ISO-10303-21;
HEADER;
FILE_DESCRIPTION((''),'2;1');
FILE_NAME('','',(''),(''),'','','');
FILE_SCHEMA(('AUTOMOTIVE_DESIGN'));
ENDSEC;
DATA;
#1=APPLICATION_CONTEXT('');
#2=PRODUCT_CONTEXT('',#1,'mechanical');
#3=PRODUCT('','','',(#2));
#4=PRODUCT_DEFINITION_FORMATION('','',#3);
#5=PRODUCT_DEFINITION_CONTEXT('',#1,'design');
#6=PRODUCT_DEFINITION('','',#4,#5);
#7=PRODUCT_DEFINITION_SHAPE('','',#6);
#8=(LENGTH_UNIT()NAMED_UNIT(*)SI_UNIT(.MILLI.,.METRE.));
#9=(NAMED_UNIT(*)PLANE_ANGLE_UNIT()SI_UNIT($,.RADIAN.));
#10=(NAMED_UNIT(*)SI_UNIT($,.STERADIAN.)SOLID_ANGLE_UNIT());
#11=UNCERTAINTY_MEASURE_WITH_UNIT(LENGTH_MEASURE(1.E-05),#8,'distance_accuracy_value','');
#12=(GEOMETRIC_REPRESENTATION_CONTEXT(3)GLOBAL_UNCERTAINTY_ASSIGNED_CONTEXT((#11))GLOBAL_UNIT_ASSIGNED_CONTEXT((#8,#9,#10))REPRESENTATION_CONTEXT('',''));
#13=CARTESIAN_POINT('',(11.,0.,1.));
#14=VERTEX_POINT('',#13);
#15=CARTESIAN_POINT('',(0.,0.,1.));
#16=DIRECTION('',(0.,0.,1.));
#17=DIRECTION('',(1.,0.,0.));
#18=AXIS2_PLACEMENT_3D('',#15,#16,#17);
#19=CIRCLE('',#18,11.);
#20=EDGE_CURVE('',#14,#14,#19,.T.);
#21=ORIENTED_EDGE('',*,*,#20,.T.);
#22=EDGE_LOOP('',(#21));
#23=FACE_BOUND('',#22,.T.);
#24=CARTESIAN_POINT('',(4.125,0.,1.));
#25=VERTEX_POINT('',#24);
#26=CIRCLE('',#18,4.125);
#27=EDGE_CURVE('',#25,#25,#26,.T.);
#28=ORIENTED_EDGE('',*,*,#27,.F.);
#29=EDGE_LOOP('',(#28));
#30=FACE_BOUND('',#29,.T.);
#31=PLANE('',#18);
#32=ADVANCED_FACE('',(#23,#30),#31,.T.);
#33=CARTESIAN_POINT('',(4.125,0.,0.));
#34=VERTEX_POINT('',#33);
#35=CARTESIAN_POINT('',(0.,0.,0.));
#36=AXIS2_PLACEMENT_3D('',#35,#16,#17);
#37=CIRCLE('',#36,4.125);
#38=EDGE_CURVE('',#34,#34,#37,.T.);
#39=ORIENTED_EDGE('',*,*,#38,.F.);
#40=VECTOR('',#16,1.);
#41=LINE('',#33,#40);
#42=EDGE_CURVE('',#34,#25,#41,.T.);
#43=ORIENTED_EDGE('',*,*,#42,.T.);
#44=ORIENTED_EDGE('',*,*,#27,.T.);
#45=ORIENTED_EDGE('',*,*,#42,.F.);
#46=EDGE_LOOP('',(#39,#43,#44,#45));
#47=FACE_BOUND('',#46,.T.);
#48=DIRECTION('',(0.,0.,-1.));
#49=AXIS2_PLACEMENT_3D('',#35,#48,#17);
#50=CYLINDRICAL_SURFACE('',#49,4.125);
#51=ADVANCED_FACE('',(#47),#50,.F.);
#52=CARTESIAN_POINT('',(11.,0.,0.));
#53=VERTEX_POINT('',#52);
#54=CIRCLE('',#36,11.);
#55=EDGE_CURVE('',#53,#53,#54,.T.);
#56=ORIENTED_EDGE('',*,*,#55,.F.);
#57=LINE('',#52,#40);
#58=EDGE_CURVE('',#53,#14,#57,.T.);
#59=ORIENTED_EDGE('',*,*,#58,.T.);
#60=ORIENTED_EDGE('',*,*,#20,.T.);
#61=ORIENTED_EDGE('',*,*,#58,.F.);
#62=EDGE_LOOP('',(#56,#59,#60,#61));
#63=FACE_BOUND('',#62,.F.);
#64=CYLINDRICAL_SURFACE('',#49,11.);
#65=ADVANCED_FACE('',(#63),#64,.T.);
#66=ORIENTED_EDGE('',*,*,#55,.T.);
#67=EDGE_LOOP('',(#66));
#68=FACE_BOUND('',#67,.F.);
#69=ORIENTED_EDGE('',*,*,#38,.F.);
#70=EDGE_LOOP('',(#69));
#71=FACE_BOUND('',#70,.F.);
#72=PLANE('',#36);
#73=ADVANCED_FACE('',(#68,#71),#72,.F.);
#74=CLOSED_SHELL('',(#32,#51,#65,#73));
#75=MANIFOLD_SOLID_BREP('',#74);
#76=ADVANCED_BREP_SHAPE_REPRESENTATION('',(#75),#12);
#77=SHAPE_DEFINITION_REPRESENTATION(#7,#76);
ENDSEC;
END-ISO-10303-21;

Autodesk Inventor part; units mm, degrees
ref_plane "YZ Plane" through (0, 0, 0) normal (1, 0, 0) x (0, 1, 0)
ref_plane "XZ Plane" through (0, 0, 0) normal (0, 1, 0) x (-1, 0, 0)
ref_plane "XY Plane" through (0, 0, 0) normal (0, 0, 1) x (1, 0, 0)
sketch "スケッチ1" plane through (0, 0, 0) normal (0, 0, 1) x (1, 0, 0)
  circle A0 centre (0, 0) radius 4.125
  circle A1 centre (0, 0) radius 11
  dimension "d0" = 8.25
  dimension "d1" = 22
extrude "押し出し1" add sketch "スケッチ1" along normal blind 1
properties part number "TT-0822-10" material "열가소성 수지"
